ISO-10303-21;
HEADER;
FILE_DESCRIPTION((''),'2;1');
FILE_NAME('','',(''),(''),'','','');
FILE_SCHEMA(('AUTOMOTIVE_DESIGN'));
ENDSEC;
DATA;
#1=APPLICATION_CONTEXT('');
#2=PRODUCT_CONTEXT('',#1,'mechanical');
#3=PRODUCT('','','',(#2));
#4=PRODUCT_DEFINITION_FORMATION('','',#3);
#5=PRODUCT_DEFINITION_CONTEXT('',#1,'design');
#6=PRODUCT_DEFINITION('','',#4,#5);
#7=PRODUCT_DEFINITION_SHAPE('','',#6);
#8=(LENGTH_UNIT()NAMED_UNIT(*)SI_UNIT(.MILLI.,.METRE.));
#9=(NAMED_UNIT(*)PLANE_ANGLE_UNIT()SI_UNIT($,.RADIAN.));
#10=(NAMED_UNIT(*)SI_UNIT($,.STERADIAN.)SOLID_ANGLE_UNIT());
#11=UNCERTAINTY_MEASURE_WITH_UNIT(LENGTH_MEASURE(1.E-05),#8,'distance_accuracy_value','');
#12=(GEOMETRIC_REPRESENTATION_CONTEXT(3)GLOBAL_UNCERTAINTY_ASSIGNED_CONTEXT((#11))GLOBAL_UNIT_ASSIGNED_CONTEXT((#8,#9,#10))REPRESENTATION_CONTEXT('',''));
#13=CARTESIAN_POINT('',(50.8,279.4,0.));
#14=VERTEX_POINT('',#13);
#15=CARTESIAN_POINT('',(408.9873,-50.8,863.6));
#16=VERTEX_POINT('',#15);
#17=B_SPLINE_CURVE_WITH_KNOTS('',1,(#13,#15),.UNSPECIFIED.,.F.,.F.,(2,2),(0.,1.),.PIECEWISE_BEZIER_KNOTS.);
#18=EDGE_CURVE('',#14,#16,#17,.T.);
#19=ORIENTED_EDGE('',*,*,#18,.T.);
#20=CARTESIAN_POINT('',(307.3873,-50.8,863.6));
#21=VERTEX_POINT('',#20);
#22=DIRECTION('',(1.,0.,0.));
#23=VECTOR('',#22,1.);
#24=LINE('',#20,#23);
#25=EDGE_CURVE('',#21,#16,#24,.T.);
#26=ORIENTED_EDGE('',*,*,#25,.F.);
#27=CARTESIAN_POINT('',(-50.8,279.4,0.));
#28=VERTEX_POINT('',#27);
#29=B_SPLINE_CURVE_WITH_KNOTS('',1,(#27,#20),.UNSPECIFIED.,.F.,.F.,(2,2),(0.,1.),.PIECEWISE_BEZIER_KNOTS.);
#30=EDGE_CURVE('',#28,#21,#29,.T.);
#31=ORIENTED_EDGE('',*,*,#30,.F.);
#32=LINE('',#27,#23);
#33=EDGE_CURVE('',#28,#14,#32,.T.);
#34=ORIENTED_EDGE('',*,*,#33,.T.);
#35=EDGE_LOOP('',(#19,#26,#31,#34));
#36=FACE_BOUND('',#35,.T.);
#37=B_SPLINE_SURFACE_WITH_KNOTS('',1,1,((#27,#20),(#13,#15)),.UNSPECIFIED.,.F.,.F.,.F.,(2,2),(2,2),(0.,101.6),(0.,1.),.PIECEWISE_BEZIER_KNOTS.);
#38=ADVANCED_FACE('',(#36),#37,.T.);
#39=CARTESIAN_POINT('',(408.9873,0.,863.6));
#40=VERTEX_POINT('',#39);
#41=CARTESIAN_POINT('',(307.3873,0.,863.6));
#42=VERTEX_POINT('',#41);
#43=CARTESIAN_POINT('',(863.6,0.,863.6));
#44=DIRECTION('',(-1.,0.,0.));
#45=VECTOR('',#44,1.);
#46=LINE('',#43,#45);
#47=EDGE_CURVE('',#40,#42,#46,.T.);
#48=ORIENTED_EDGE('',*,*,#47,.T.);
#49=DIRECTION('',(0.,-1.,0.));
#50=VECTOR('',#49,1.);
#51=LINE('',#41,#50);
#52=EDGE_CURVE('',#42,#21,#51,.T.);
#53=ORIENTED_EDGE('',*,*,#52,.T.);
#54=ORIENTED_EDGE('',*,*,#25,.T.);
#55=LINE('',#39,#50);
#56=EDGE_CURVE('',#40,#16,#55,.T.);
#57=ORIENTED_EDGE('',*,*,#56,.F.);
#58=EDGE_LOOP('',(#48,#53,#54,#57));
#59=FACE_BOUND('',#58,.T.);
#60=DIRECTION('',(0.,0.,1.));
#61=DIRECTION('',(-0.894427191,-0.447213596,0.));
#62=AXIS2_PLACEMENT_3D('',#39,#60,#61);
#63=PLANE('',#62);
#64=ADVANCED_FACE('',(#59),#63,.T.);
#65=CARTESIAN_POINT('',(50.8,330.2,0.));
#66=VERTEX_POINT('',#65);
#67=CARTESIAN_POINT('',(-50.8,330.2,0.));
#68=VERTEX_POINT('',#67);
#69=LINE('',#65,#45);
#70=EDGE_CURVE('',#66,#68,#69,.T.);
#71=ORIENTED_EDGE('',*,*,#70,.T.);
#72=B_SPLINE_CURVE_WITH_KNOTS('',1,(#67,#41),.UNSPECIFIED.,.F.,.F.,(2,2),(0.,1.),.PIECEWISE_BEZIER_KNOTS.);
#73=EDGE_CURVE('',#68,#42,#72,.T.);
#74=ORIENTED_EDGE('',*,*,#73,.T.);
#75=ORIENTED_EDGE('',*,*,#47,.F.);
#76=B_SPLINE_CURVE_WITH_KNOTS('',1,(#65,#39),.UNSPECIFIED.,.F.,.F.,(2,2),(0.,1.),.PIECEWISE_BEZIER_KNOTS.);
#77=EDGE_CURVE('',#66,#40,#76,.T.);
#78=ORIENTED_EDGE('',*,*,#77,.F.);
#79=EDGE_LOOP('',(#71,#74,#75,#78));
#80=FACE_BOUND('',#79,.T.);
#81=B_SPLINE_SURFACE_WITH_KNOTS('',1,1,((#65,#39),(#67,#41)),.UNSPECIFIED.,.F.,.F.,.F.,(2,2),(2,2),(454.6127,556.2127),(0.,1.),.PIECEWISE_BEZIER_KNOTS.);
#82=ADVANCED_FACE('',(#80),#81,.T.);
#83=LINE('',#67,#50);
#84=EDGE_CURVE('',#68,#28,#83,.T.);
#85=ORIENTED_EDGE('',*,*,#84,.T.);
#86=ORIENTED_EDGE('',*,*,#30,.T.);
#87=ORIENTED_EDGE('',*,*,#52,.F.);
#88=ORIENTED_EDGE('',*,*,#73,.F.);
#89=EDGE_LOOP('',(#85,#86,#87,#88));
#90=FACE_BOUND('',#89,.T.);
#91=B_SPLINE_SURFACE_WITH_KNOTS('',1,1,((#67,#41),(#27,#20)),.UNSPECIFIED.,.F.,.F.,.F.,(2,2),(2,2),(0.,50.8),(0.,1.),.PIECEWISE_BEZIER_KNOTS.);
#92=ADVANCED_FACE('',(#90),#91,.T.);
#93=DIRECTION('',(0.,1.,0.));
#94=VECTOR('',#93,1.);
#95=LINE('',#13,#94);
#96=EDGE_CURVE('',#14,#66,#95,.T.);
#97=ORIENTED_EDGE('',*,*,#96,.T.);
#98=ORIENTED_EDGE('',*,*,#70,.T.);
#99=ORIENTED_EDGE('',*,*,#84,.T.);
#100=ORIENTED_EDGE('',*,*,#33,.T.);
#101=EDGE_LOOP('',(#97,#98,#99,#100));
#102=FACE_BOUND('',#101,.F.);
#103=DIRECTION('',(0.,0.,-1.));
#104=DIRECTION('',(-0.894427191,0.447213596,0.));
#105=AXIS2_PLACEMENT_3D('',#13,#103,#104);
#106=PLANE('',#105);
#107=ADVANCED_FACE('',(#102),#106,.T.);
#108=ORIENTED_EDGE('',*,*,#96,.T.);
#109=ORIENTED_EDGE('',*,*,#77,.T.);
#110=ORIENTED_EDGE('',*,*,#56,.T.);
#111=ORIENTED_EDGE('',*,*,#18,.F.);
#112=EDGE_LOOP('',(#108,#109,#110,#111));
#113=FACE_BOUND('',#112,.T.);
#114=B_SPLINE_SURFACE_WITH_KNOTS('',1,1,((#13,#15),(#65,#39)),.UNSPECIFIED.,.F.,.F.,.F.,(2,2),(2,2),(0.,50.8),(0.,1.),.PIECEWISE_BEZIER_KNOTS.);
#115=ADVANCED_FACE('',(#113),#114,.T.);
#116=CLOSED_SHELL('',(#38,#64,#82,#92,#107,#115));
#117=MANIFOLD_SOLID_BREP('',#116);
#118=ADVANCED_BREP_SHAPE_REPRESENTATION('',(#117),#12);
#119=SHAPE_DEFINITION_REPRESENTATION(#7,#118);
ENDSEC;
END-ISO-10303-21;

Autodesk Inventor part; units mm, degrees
ref_plane "YZ Plane" through (0, 0, 0) normal (1, 0, 0) x (0, 1, 0)
ref_plane "XZ Plane" through (0, 0, 0) normal (0, 1, 0) x (-1, 0, 0)
ref_plane "XY Plane" through (0, 0, 0) normal (0, 0, 1) x (1, 0, 0)
ref_plane "Work Plane1" through (0, 0, 0) normal (0, 0, 1) x (1, 0, 0)
sketch "Sketch1" plane through (0, 0, 0) normal (0, 0, 1) x (1, 0, 0)
  line L0 (50.8, 330.2) -> (-50.8, 330.2)
  line L1 (-50.8, 330.2) -> (-50.8, 279.4)
  line L2 (-50.8, 279.4) -> (50.8, 279.4)
  line L3 (50.8, 279.4) -> (50.8, 330.2)
  point P0 (0, 0)
  dimension "d0" = 50.8
  dimension "d1" = 101.6
ref_plane "Work Plane2" through (-254, -50.8, 863.6) normal (0, 0, -1) x (1, 0, 0)
sketch "Sketch2" plane through (-254, -50.8, 863.6) normal (0, 0, -1) x (1, 0, 0)
  line L0 (1117.6, -50.8) -> (-1117.6, -50.8) projected
  line L1 (662.9873, -50.8) -> (662.9873, 0) projected
  line L2 (662.9873, -50.8) -> (561.3873, -50.8)
  line L3 (561.3873, -50.8) -> (561.3873, 0)
  line L4 (561.3873, 0) -> (662.9873, 0)
  line L5 (662.9873, 0) -> (662.9873, -50.8)
  point P0 (254, -50.8)
  dimension "d2" = 101.6
loft "Loft1" add profiles "Sketch1", "Sketch2"
properties part number "Eyelids"
